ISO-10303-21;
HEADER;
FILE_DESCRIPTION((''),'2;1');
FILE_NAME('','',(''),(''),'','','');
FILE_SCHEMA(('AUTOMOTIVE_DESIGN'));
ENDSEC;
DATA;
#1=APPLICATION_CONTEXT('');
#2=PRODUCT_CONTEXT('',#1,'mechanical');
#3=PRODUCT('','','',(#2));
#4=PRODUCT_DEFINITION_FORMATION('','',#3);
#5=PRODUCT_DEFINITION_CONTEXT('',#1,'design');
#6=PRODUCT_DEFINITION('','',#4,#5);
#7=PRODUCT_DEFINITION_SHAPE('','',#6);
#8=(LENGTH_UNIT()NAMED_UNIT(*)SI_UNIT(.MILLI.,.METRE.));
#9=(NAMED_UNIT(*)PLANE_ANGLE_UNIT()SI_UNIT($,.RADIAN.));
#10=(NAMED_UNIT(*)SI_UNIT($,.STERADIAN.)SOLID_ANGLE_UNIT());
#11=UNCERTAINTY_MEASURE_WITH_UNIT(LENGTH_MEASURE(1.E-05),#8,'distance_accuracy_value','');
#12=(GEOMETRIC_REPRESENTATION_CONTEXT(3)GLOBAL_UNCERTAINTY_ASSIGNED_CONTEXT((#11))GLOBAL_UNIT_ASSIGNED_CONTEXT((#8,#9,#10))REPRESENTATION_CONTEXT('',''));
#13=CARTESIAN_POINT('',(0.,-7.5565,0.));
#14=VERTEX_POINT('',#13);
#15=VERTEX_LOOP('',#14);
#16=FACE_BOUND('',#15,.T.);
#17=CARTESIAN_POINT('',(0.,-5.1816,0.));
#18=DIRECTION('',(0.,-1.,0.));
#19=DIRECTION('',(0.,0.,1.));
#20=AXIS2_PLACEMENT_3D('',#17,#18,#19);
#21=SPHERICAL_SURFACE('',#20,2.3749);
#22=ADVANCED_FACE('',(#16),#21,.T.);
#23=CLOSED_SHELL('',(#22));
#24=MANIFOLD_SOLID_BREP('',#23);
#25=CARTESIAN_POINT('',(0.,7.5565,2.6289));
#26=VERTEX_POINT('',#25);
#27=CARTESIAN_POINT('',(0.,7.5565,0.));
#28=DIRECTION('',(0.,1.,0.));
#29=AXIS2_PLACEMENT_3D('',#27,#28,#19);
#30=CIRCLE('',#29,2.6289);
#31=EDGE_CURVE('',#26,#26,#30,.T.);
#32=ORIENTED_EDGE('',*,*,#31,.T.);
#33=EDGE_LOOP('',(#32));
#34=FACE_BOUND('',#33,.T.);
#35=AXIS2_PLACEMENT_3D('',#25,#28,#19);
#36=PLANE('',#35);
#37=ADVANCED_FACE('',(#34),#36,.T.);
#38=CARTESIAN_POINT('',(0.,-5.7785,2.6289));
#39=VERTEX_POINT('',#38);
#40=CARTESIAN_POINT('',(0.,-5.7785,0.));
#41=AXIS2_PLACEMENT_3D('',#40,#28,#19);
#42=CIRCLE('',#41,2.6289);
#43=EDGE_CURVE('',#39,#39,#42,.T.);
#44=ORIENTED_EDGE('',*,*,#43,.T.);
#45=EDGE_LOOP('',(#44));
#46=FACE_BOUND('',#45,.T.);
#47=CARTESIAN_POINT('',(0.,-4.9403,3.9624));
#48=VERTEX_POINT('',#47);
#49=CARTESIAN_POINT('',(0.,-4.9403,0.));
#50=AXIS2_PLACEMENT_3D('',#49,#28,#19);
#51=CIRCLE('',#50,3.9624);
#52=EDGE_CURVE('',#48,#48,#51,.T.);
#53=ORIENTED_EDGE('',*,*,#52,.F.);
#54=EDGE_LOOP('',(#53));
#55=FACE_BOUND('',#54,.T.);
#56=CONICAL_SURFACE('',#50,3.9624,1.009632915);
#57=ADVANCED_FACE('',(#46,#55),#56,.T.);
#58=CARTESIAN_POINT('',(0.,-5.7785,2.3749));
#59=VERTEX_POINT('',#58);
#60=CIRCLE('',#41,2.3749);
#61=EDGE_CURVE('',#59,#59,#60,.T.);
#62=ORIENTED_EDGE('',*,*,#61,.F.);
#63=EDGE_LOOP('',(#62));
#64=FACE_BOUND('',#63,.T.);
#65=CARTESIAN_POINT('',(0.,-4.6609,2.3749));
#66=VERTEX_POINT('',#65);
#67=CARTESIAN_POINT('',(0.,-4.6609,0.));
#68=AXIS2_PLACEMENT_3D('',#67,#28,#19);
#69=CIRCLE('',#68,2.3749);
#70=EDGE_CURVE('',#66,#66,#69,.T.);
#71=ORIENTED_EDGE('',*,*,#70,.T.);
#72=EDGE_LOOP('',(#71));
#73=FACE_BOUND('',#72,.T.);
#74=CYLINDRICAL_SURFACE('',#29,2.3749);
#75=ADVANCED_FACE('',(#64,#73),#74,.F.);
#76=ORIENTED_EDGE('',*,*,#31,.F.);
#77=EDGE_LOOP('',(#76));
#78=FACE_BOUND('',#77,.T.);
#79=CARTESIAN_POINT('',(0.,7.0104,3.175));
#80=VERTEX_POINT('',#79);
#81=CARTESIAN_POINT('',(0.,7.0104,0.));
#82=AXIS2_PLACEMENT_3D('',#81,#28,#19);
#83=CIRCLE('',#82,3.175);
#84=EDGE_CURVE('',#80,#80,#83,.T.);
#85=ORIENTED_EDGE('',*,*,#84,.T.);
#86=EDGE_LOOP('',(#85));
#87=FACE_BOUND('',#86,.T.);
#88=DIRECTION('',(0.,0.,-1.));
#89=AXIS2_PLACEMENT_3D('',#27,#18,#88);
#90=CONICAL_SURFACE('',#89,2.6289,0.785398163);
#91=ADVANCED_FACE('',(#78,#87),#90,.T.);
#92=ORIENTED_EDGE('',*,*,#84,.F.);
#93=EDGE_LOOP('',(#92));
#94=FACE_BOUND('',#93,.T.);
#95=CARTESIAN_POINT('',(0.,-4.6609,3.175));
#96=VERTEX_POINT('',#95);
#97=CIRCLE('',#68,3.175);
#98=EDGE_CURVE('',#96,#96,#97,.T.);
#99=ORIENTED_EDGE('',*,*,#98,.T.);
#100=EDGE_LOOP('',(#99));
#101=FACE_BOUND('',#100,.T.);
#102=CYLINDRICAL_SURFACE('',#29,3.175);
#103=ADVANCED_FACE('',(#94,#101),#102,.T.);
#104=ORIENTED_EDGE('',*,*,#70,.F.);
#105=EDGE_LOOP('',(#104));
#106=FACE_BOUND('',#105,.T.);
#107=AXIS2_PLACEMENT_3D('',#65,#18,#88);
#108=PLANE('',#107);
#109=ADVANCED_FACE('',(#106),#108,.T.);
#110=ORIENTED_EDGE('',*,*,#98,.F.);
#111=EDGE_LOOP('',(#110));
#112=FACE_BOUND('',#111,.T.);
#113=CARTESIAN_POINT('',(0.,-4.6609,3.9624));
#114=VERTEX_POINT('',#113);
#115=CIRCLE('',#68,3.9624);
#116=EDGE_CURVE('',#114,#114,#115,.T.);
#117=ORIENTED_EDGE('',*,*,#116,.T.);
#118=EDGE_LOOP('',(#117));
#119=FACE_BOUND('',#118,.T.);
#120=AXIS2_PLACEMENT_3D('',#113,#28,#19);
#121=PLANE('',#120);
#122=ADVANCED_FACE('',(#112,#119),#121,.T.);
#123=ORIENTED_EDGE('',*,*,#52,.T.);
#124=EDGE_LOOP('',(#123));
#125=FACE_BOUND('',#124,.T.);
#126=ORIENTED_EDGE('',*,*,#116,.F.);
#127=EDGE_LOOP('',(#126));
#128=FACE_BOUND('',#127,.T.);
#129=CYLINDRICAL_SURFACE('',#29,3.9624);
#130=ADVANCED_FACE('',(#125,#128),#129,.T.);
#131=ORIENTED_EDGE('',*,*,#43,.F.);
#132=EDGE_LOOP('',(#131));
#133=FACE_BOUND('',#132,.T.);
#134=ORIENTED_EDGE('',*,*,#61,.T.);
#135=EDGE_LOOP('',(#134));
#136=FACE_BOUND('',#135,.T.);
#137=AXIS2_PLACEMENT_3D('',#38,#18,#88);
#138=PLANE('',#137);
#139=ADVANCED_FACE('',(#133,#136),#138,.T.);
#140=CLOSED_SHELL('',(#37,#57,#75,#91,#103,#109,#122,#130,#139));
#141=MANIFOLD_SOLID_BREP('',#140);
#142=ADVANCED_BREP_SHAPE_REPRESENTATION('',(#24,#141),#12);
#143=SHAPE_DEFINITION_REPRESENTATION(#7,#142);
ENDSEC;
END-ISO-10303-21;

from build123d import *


with BuildPart() as part:
    # Sketch24 → Revolve2 (revolve)
    with BuildSketch(Plane(origin=(0, 0, 0), x_dir=(0, 0, -1), z_dir=(1, 0, 0))):
        Polygon((-3.9624, -4.9403), (-3.9624, -4.6609), (-3.175, -4.6609), (-3.175, 7.0104), (-2.6289, 7.5565), (0, 7.5565), (0, -4.6609), (-2.3749, -4.6609), (-2.3749, -5.7785), (-2.6289, -5.7785), align=None)
    revolve(axis=Axis((0, 7.5565, 0), (0, -1, 0)))


with BuildPart() as body_2:
    # Sketch25 → Revolve3 (revolve)
    with BuildSketch(Plane(origin=(0, 0, 0), x_dir=(0, 0, -1), z_dir=(1, 0, 0))):
        with BuildLine():
            Line((0, -7.5565), (0, -2.8067))
            ThreePointArc((0, -2.8067), (-2.3749, -5.1816), (0, -7.5565))
        make_face()
    revolve(axis=Axis((0, -4.6609, 0), (0, 1, 0)))


solid = Compound([part.part, body_2.part])
